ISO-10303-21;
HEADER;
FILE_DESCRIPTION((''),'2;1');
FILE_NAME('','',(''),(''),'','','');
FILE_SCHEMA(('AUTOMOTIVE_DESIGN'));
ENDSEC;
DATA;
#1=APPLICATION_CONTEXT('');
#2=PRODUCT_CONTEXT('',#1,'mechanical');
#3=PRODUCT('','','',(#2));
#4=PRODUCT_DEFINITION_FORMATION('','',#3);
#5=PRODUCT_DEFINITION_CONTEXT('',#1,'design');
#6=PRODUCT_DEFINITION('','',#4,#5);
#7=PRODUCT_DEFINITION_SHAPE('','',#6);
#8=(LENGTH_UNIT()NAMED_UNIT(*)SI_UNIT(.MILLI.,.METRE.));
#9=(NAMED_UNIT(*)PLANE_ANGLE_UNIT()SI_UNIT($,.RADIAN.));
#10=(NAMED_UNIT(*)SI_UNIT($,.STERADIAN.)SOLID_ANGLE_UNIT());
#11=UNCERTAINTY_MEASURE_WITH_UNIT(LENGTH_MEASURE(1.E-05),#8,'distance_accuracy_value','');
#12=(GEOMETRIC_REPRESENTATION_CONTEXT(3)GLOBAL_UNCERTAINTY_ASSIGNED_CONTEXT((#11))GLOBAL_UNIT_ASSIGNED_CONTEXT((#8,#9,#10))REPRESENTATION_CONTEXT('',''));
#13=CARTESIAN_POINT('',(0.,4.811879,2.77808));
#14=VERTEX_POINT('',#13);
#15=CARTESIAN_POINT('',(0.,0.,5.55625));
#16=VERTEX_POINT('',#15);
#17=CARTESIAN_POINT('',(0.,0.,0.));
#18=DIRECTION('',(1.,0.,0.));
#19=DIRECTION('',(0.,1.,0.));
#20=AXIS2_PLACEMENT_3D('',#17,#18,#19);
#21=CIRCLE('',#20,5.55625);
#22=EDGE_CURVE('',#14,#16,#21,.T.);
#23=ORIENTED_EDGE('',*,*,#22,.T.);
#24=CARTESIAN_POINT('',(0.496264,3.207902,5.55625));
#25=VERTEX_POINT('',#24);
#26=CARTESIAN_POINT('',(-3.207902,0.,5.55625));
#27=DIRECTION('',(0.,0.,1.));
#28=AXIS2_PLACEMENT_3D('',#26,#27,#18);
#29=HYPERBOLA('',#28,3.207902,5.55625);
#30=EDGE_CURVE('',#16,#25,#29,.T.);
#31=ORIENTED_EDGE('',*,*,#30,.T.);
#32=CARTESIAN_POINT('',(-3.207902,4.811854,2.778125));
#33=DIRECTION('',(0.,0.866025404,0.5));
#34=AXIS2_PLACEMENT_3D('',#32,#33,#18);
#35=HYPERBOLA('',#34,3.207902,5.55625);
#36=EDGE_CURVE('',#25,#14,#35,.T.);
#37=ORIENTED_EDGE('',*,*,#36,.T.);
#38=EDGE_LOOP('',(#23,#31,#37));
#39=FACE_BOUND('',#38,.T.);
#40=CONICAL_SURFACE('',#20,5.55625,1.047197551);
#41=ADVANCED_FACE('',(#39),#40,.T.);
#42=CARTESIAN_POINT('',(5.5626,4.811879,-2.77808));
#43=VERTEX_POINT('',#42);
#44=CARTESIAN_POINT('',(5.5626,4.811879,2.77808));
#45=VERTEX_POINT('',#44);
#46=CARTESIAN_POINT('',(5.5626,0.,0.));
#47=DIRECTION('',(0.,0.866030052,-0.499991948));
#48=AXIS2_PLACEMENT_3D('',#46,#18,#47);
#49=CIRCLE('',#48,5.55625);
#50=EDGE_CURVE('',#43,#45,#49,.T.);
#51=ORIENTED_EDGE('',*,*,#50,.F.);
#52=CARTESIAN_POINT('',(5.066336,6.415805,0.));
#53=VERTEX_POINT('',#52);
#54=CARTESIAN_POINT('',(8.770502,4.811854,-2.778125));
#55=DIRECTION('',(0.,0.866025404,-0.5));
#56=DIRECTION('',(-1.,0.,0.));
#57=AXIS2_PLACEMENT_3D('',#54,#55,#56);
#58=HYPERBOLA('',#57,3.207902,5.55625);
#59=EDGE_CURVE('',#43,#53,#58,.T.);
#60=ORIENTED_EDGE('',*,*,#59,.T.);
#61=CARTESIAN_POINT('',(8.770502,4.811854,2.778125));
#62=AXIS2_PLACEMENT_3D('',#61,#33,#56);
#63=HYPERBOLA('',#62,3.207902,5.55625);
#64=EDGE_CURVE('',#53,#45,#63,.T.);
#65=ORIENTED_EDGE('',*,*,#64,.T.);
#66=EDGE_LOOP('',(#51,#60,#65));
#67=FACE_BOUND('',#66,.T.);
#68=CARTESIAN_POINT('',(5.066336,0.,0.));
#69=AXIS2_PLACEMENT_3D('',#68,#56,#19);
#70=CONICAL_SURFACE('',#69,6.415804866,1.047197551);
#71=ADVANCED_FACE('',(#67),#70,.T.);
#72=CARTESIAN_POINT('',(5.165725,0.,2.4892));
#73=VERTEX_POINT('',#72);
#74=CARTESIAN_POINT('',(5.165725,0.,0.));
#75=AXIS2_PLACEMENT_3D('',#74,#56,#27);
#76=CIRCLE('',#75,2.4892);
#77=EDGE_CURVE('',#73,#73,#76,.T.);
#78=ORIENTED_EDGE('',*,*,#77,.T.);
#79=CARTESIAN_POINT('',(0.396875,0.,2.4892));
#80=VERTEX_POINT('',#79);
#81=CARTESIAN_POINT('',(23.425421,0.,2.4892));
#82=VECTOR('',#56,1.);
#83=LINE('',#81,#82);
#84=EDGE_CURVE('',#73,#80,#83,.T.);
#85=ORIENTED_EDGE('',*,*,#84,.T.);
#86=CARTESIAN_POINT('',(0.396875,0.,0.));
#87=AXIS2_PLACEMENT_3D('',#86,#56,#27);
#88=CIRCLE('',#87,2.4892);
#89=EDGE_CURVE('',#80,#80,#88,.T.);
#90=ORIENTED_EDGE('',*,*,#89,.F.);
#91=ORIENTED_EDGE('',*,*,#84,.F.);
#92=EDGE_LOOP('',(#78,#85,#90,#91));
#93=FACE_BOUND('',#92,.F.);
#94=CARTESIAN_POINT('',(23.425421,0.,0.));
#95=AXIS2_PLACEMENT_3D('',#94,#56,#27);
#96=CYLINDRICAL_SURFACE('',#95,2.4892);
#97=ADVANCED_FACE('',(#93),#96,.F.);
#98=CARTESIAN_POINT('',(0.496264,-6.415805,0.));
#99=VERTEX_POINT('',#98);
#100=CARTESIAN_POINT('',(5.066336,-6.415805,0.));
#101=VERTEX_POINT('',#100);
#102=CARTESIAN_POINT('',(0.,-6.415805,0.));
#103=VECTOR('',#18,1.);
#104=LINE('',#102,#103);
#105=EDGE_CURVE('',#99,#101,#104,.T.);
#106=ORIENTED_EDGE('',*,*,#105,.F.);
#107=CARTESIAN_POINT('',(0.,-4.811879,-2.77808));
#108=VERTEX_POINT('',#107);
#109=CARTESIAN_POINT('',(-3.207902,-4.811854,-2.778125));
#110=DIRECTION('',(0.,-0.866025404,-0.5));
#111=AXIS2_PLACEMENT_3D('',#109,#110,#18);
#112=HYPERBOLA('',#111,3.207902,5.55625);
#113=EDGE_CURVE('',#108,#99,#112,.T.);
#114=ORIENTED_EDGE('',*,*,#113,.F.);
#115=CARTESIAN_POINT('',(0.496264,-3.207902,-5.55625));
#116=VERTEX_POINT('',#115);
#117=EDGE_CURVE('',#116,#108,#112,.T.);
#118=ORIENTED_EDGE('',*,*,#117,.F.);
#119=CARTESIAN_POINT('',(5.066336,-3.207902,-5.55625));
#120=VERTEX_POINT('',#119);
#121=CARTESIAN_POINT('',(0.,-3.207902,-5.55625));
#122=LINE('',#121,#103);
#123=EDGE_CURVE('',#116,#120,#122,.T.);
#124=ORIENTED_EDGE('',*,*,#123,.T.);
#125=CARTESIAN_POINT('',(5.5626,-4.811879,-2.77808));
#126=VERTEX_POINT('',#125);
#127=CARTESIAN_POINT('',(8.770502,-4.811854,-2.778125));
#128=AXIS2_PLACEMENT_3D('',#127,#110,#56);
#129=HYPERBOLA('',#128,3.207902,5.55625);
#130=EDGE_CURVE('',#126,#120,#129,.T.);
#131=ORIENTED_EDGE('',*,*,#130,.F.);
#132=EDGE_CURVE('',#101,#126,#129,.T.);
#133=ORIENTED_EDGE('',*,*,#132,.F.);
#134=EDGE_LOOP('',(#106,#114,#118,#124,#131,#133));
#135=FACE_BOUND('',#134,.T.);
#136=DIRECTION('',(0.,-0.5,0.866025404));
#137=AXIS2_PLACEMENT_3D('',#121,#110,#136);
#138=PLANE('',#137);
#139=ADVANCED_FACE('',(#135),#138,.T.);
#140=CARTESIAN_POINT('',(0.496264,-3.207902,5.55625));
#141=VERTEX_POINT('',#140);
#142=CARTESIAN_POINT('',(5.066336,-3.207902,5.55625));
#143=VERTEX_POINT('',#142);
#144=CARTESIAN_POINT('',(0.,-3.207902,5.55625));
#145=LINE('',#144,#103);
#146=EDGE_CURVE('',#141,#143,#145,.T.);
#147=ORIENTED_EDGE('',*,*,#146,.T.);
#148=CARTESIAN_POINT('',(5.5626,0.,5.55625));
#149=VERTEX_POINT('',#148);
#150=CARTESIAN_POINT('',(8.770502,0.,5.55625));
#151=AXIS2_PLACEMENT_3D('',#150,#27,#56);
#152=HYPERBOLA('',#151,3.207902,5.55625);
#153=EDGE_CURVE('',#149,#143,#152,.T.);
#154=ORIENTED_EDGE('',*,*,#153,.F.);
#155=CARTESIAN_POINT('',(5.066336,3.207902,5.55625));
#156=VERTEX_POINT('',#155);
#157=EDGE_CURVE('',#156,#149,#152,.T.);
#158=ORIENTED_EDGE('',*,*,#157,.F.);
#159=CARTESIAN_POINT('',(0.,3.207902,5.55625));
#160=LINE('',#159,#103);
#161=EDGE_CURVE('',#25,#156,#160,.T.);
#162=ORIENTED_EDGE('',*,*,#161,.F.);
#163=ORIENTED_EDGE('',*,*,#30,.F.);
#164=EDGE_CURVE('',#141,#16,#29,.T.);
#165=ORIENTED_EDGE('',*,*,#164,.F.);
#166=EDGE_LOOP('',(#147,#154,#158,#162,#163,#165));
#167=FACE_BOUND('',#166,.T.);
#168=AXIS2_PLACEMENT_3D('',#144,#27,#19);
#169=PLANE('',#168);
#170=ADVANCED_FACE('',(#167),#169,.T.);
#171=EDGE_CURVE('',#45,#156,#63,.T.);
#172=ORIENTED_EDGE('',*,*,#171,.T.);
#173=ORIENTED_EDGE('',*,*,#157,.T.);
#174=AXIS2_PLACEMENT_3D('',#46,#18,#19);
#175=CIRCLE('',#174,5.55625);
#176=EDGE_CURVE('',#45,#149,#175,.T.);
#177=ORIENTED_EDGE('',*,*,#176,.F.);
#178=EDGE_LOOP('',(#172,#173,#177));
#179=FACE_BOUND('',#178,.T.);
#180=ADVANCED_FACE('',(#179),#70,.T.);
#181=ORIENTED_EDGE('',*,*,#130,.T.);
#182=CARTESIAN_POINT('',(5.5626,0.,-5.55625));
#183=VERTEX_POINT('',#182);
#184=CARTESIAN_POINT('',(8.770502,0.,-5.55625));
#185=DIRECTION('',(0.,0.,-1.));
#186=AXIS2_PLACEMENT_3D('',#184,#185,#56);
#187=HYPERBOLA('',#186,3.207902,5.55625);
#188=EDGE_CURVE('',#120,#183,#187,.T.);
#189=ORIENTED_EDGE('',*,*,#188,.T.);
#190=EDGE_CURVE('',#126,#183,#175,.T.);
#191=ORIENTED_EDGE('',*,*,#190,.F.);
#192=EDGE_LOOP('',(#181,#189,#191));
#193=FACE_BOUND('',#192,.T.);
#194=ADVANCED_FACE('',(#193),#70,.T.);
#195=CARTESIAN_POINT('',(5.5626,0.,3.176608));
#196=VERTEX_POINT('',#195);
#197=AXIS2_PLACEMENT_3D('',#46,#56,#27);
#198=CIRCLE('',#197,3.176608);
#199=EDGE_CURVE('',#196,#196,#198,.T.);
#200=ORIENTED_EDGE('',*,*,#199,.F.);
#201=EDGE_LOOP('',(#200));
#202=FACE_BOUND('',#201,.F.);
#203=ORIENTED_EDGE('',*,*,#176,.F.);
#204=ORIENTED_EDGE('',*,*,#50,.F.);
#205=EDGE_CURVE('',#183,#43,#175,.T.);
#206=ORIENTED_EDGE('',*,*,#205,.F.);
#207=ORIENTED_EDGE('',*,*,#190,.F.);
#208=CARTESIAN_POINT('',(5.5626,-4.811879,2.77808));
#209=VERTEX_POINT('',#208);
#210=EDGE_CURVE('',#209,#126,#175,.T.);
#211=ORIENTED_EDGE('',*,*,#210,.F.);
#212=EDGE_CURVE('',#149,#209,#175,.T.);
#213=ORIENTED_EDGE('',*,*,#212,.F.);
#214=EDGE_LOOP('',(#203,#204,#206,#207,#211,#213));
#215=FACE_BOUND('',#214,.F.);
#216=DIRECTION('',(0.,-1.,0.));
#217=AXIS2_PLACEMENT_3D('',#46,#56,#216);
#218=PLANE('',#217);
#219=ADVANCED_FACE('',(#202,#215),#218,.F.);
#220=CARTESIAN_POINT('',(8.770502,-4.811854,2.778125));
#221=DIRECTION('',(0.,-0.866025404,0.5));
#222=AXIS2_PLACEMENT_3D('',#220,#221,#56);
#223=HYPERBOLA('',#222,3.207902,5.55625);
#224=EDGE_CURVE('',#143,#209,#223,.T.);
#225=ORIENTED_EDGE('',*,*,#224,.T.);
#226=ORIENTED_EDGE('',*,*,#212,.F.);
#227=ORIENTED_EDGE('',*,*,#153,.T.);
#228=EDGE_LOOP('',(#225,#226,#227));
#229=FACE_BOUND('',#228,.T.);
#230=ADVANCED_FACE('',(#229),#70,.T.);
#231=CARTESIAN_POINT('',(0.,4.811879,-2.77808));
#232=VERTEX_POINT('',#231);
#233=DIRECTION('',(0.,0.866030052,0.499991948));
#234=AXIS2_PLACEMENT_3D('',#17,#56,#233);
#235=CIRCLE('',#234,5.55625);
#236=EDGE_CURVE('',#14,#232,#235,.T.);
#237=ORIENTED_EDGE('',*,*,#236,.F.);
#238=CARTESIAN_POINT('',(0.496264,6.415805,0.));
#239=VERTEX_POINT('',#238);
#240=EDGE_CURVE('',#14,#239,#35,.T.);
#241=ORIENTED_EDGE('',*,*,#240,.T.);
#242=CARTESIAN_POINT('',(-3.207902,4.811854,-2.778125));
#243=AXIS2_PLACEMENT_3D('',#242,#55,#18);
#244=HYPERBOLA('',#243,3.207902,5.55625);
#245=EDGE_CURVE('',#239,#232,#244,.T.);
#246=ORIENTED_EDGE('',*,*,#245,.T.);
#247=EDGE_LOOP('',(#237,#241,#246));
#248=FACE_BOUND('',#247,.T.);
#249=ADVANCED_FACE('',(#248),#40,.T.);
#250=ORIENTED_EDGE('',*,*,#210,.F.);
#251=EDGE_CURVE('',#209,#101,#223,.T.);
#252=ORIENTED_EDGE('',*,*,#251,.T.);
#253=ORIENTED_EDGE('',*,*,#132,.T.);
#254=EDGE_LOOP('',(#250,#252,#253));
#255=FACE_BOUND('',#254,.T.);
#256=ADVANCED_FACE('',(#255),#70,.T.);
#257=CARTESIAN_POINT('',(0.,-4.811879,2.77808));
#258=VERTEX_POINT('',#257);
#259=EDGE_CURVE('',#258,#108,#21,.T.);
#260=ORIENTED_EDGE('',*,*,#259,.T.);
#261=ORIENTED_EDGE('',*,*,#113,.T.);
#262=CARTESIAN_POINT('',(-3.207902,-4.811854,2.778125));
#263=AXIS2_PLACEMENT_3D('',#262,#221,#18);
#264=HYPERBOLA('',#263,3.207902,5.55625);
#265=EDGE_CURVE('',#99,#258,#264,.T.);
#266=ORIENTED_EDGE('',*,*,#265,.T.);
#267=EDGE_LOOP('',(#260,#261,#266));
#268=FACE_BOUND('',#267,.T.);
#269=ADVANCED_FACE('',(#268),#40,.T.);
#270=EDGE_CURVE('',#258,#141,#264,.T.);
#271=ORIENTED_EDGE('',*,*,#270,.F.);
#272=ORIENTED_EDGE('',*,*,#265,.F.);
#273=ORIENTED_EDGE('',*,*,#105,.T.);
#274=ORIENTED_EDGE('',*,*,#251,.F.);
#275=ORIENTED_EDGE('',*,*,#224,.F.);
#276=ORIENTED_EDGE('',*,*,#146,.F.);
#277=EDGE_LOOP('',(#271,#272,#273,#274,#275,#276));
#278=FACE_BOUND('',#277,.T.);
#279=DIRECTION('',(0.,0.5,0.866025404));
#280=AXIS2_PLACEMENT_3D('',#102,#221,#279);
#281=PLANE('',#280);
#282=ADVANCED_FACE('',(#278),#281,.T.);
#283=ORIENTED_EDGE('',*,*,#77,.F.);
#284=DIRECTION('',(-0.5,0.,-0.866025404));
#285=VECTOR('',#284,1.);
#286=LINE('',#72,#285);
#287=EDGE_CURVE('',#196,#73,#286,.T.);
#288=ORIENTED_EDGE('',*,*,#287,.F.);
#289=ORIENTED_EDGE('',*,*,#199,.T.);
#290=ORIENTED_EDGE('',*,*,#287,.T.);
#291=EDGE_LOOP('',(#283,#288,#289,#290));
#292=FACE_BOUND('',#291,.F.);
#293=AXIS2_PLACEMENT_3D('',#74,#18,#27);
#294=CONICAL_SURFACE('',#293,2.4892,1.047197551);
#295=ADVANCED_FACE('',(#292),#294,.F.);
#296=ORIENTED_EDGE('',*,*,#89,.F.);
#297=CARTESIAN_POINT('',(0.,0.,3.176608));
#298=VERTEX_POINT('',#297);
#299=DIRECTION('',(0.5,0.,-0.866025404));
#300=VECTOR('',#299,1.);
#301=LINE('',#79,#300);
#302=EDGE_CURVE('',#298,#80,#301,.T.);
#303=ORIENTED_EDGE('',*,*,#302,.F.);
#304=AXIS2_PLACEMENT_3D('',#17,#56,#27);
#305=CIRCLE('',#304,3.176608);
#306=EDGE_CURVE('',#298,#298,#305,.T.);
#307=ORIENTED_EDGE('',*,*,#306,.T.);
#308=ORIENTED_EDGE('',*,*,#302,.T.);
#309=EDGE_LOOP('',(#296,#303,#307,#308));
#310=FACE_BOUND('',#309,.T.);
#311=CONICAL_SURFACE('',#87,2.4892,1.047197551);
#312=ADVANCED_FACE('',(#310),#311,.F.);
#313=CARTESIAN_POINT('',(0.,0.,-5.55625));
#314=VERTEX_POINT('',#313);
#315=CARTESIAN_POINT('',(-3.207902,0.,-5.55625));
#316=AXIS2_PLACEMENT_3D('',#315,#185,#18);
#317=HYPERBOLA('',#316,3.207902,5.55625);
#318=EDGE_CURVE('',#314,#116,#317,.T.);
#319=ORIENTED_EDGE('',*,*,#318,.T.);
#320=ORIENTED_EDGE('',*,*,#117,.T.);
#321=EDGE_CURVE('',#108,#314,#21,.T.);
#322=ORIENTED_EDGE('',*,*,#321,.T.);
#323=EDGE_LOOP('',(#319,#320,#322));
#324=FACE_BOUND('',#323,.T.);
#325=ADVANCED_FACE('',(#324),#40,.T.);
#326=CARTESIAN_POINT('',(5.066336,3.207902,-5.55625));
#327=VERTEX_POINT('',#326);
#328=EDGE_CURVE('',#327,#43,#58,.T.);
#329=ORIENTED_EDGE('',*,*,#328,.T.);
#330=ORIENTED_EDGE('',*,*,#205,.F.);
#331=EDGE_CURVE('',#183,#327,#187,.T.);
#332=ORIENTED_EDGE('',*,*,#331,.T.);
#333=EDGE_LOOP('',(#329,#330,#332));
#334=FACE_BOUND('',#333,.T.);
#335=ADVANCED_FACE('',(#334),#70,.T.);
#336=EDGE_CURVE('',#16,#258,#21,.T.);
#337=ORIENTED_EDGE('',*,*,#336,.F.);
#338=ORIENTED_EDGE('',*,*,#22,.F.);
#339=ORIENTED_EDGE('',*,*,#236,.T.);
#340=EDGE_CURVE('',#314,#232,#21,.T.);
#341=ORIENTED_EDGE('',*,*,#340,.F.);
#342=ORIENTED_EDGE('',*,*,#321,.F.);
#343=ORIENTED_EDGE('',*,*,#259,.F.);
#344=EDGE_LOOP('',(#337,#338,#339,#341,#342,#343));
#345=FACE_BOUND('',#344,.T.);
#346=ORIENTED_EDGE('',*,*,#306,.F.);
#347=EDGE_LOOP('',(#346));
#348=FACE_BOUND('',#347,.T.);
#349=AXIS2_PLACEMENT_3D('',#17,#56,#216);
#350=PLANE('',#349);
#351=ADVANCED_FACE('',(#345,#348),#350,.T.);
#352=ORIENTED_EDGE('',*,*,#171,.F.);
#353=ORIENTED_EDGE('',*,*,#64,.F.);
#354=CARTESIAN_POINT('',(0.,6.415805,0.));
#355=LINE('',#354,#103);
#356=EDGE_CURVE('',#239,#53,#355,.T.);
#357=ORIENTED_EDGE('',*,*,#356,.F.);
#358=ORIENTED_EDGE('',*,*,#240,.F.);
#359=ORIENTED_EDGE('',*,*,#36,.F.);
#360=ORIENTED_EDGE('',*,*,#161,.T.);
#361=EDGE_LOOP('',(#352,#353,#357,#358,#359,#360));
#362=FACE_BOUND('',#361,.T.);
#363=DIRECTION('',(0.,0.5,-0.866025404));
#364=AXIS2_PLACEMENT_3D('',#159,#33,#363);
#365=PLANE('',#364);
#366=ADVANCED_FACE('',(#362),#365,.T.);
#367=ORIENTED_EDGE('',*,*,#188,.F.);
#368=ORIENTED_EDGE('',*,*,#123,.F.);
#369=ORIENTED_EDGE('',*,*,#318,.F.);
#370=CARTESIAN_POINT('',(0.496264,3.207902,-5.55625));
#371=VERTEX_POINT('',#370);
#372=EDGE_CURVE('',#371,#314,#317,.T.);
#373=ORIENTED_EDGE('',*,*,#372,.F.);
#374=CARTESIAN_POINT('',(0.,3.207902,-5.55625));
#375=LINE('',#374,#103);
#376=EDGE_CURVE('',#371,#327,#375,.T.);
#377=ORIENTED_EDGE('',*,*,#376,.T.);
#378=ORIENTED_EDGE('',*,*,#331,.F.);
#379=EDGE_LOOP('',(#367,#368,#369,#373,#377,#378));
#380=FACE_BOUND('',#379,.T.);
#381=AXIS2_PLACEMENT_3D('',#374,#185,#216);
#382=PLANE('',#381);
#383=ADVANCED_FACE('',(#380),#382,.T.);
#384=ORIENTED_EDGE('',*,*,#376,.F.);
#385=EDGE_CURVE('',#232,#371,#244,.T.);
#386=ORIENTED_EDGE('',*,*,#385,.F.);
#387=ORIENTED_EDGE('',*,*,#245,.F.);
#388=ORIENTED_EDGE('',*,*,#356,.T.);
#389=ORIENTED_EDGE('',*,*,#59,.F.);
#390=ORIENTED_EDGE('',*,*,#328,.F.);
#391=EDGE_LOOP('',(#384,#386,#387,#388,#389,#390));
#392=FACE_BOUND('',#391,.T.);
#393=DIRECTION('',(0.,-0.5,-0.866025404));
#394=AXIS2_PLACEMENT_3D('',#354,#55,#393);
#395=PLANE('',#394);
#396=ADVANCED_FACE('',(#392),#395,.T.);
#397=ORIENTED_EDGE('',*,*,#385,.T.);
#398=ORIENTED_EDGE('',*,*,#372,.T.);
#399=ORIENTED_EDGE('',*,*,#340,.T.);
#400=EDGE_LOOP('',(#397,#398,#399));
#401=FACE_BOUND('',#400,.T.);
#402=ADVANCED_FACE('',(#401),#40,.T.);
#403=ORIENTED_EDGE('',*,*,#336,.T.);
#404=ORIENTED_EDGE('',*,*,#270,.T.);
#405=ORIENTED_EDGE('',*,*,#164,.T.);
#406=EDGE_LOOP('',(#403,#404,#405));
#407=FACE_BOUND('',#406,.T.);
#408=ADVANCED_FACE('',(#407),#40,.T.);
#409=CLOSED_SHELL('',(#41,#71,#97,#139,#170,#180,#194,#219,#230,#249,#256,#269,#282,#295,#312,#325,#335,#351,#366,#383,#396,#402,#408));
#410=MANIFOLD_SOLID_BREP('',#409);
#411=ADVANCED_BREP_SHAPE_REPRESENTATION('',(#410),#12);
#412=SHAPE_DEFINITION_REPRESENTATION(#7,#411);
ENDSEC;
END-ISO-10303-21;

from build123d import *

# Parameters (mm, degrees)
BODY_DEPTH     = 5.5626
THREAD_D       = 4.9784
CHAMFER2_SIZE  = 0.687407664
CHAMFER2_SIZE2 = 0.396875
CHAMFER3_SIZE  = 0.687407664
CHAMFER3_SIZE2 = 0.396875


with BuildPart() as part:
    # Sketch1 → Body (new body)
    with BuildSketch(Plane.YZ):
        Polygon((-6.415804866, 0), (-3.207902433, 5.55625), (3.207902433, 5.55625), (6.415804866, 0), (3.207902433, -5.55625), (-3.207902433, -5.55625), align=None)
    extrude(amount=BODY_DEPTH)

    # Sketch2 → Chamfer1 (revolve, cut)
    with BuildSketch(Plane.XY):
        Polygon((0, 5.55625), (0.496264233, 6.415804866), (0, 6.415804866), align=None)
        Polygon((5.5626, 5.55625), (5.5626, 6.415804866), (5.066335767, 6.415804866), align=None)
    revolve(axis=Axis((-1.11252, 0, 0), (1, 0, 0)), mode=Mode.SUBTRACT)

    # Thread (through all)
    with Locations(Plane(origin=(5.5626, 0, 0), x_dir=(0, 0, -1), z_dir=(1, 0, 0))):
        with Locations((0, 0)):
            Hole(THREAD_D / 2)

    # Chamfer2
    chamfer2_edges = [part.edges().sort_by_distance(p)[0] for p in [
        (5.5626, 0, -2.4892),
    ]]
    chamfer2_side = [part.faces().sort_by_distance(p)[0] for p in [
        (5.5626, -5.399095518, -9.9e-08),
    ]]
    chamfer(chamfer2_edges, length=CHAMFER2_SIZE, length2=CHAMFER2_SIZE2, reference=chamfer2_side[0])

    # Chamfer3
    chamfer3_edges = [part.edges().sort_by_distance(p)[0] for p in [
        (0, 0, -2.4892),
    ]]
    chamfer3_side = [part.faces().sort_by_distance(p)[0] for p in [
        (0, -5.399095518, -9.9e-08),
    ]]
    chamfer(chamfer3_edges, length=CHAMFER3_SIZE, length2=CHAMFER3_SIZE2, reference=chamfer3_side[0])


solid = part.part
